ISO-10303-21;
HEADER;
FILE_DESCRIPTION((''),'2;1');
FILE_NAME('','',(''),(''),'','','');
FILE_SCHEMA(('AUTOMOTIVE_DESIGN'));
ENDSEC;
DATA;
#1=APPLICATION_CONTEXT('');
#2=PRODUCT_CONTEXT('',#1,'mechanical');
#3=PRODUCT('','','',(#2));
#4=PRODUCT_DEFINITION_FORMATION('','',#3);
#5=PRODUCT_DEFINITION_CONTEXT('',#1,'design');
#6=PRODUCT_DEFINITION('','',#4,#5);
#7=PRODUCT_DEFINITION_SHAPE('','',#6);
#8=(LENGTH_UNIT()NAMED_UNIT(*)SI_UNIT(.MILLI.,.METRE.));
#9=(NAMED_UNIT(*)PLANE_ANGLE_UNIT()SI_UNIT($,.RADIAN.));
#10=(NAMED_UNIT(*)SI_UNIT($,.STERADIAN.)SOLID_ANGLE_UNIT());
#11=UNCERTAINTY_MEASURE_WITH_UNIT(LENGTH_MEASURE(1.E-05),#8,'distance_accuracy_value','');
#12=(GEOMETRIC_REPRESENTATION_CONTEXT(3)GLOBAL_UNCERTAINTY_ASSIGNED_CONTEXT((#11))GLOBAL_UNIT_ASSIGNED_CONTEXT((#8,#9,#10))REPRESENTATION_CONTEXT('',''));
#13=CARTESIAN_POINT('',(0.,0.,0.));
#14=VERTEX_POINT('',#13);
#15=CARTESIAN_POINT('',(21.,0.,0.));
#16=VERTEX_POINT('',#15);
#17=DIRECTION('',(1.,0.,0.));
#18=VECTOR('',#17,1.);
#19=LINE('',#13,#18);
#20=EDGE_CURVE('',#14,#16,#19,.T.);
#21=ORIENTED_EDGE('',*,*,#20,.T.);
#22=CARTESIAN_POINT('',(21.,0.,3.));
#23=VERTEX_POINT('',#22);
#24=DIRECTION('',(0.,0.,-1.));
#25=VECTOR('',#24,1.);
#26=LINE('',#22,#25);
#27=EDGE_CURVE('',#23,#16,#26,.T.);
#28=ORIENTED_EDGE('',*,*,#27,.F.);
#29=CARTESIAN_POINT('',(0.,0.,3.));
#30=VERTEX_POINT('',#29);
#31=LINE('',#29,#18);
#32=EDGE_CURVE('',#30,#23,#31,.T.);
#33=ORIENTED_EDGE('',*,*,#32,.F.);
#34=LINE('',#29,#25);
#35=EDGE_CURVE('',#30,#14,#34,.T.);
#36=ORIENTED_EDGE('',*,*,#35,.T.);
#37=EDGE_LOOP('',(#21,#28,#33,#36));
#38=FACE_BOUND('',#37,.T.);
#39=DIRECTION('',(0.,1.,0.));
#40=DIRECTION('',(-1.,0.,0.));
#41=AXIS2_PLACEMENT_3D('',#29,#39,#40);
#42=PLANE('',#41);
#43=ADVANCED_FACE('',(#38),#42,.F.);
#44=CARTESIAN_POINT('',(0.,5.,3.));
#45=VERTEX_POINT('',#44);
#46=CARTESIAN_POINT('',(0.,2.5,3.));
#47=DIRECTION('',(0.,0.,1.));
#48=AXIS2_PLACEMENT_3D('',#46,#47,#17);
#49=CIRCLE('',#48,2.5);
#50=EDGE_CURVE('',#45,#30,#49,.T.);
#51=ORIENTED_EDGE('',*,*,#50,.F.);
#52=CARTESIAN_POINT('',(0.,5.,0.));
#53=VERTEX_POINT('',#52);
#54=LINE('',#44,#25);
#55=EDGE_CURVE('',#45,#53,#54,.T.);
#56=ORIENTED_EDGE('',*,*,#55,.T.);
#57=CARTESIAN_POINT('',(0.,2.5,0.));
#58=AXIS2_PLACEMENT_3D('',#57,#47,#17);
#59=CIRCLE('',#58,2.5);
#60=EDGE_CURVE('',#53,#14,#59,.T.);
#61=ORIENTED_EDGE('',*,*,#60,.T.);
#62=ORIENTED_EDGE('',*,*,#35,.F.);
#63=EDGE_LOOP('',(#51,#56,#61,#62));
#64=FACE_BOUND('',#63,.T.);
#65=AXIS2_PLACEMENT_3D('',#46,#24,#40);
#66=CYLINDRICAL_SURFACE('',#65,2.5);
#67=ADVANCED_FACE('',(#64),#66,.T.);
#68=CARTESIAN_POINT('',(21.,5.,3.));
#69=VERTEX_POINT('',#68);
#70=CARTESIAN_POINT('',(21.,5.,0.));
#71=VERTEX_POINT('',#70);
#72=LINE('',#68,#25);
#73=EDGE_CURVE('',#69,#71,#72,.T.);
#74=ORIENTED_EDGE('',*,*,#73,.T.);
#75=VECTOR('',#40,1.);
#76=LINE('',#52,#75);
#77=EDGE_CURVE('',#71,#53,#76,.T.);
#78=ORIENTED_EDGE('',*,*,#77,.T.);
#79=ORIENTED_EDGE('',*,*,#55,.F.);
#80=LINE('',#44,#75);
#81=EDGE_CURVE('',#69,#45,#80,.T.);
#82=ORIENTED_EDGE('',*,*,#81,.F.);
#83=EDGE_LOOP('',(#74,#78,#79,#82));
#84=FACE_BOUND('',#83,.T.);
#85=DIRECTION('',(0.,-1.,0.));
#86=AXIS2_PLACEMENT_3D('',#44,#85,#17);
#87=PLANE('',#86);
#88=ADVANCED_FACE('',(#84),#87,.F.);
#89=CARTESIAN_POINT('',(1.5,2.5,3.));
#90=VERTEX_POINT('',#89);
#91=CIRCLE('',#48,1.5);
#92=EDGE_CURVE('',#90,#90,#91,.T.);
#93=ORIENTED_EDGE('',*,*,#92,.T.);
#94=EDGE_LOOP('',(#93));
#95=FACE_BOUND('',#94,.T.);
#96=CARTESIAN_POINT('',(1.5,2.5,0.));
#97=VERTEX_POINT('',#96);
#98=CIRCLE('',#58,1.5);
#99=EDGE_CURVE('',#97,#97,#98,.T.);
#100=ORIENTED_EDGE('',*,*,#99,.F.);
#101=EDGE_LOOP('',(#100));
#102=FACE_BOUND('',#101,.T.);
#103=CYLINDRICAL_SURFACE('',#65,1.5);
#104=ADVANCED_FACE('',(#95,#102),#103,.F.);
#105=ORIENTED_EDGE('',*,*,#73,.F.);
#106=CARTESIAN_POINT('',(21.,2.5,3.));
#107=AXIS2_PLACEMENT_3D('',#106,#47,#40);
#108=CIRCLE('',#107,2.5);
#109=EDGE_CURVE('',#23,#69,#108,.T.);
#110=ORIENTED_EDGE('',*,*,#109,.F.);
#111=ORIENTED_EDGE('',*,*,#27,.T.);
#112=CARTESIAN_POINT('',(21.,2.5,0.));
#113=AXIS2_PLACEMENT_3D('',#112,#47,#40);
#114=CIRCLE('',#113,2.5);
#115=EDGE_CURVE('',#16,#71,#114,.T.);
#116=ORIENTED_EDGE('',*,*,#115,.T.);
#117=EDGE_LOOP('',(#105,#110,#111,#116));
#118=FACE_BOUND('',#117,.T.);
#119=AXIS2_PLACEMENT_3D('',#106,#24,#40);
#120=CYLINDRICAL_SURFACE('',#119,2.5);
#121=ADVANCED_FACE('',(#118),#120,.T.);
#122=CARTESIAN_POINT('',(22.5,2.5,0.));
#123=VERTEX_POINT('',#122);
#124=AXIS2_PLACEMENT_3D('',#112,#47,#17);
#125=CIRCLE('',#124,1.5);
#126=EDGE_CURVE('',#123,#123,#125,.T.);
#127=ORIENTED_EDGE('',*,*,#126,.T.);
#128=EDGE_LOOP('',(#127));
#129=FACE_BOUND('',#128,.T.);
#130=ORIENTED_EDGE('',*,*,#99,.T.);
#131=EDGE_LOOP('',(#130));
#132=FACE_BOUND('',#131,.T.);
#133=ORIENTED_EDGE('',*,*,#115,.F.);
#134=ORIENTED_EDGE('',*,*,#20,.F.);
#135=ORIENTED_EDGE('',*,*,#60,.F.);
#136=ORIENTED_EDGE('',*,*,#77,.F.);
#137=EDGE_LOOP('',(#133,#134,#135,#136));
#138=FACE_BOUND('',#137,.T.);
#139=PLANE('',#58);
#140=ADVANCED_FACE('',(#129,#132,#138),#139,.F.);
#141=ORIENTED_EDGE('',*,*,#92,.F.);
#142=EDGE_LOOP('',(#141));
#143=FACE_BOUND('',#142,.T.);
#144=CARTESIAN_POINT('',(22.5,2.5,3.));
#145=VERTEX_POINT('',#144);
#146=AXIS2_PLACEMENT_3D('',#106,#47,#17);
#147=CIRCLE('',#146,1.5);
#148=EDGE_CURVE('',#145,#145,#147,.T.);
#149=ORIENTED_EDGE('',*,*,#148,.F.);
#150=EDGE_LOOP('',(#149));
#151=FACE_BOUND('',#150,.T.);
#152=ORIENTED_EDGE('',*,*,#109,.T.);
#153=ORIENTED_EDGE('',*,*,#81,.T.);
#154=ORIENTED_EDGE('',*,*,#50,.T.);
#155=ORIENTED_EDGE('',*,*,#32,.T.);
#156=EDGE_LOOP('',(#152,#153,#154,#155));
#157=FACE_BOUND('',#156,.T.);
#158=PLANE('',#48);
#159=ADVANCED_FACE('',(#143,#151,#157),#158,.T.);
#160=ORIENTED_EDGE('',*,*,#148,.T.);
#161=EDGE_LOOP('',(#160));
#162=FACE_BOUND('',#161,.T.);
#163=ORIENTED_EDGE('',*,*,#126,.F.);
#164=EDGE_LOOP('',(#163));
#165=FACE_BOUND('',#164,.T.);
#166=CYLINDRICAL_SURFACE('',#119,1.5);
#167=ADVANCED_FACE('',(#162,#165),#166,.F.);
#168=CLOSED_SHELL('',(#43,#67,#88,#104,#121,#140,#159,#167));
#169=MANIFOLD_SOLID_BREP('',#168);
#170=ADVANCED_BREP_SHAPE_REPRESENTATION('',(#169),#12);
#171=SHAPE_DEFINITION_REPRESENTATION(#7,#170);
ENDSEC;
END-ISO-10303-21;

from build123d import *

# Parameters (mm, degrees)
SKETCH1_R           = 1.5
BOSS_EXTRUDE1_DEPTH = 3


with BuildPart() as part:
    # Sketch1 → Boss-Extrude1 (new body)
    with BuildSketch(Plane.XY):
        with BuildLine():
            Line((0, 0), (21, 0))
            ThreePointArc((21, 0), (23.5, 2.5), (21, 5))
            Line((21, 5), (0, 5))
            ThreePointArc((0, 5), (-2.5, 2.5), (0, 0))
        make_face()
        with Locations((0, 2.5)):
            Circle(SKETCH1_R, mode=Mode.SUBTRACT)
        with Locations((21, 2.5)):
            Circle(SKETCH1_R, mode=Mode.SUBTRACT)
    extrude(amount=BOSS_EXTRUDE1_DEPTH)


solid = part.part
